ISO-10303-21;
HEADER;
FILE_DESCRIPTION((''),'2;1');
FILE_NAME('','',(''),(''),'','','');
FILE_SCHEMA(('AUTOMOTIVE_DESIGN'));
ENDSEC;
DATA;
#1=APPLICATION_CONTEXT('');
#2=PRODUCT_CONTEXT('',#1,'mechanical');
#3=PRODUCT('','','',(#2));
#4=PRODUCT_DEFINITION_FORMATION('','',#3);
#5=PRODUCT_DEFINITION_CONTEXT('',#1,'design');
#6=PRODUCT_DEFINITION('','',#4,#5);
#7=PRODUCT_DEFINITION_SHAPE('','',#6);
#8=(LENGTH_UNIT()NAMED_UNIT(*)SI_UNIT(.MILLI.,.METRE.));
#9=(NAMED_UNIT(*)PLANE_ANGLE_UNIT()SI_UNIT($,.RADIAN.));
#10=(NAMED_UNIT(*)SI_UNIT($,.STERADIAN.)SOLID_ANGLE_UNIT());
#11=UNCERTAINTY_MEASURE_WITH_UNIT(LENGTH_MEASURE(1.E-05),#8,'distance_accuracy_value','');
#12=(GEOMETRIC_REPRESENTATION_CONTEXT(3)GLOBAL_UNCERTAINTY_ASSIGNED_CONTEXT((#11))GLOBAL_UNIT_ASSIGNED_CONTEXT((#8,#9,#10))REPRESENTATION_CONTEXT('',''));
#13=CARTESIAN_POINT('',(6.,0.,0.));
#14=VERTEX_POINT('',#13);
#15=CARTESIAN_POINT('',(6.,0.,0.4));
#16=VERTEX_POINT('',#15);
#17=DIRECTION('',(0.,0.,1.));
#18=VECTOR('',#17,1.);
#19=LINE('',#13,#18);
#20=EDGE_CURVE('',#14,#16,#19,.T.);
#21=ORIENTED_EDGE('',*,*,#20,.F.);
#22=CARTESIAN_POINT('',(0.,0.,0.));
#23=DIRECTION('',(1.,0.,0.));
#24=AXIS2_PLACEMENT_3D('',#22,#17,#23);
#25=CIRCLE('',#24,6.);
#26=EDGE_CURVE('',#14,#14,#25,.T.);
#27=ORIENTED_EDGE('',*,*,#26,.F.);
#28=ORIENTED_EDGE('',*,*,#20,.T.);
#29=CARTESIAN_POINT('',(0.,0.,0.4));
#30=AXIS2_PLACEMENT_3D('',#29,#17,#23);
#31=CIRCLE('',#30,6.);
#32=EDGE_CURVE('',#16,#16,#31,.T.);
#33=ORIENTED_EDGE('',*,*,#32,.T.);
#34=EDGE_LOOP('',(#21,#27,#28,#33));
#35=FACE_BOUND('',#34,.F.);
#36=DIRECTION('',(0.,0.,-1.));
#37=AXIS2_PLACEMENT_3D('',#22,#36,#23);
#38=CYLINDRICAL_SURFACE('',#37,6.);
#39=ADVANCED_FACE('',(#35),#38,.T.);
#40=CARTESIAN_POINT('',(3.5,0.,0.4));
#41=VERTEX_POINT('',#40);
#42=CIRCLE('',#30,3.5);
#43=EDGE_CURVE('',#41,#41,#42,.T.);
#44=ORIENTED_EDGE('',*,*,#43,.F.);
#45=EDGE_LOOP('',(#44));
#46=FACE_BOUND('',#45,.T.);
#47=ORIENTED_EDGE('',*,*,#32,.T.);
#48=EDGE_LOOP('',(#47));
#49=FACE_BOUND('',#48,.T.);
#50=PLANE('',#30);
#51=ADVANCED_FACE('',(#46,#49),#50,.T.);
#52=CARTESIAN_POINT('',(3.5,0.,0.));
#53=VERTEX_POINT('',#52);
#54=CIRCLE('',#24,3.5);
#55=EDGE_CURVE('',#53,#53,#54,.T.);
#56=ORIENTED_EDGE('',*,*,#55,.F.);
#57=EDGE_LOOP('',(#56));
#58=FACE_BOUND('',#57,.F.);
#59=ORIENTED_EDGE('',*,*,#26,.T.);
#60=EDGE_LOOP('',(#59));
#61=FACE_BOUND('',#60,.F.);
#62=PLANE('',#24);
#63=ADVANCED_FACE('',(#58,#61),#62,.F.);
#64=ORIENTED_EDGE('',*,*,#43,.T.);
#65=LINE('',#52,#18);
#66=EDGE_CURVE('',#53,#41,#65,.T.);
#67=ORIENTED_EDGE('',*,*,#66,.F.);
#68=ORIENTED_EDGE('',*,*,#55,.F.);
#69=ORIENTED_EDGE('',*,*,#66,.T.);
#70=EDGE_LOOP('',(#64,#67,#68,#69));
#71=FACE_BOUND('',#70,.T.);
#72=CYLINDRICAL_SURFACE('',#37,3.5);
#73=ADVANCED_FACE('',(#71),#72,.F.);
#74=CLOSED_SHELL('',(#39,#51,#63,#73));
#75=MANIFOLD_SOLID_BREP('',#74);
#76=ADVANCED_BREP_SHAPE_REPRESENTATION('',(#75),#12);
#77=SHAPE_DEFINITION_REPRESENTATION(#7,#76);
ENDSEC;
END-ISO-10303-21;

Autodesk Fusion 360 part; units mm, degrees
sketch "Sketch1" plane through (0, 0, 0) normal (0, 0, 1) x (1, 0, 0)
  circle A0 centre (0, 0) radius 6
  circle A1 centre (0, 0) radius 3.5
  dimension "d1" = 12
  dimension "d2" = 7
extrude "Extrude1" add sketch "Sketch1" along normal blind 0.4
